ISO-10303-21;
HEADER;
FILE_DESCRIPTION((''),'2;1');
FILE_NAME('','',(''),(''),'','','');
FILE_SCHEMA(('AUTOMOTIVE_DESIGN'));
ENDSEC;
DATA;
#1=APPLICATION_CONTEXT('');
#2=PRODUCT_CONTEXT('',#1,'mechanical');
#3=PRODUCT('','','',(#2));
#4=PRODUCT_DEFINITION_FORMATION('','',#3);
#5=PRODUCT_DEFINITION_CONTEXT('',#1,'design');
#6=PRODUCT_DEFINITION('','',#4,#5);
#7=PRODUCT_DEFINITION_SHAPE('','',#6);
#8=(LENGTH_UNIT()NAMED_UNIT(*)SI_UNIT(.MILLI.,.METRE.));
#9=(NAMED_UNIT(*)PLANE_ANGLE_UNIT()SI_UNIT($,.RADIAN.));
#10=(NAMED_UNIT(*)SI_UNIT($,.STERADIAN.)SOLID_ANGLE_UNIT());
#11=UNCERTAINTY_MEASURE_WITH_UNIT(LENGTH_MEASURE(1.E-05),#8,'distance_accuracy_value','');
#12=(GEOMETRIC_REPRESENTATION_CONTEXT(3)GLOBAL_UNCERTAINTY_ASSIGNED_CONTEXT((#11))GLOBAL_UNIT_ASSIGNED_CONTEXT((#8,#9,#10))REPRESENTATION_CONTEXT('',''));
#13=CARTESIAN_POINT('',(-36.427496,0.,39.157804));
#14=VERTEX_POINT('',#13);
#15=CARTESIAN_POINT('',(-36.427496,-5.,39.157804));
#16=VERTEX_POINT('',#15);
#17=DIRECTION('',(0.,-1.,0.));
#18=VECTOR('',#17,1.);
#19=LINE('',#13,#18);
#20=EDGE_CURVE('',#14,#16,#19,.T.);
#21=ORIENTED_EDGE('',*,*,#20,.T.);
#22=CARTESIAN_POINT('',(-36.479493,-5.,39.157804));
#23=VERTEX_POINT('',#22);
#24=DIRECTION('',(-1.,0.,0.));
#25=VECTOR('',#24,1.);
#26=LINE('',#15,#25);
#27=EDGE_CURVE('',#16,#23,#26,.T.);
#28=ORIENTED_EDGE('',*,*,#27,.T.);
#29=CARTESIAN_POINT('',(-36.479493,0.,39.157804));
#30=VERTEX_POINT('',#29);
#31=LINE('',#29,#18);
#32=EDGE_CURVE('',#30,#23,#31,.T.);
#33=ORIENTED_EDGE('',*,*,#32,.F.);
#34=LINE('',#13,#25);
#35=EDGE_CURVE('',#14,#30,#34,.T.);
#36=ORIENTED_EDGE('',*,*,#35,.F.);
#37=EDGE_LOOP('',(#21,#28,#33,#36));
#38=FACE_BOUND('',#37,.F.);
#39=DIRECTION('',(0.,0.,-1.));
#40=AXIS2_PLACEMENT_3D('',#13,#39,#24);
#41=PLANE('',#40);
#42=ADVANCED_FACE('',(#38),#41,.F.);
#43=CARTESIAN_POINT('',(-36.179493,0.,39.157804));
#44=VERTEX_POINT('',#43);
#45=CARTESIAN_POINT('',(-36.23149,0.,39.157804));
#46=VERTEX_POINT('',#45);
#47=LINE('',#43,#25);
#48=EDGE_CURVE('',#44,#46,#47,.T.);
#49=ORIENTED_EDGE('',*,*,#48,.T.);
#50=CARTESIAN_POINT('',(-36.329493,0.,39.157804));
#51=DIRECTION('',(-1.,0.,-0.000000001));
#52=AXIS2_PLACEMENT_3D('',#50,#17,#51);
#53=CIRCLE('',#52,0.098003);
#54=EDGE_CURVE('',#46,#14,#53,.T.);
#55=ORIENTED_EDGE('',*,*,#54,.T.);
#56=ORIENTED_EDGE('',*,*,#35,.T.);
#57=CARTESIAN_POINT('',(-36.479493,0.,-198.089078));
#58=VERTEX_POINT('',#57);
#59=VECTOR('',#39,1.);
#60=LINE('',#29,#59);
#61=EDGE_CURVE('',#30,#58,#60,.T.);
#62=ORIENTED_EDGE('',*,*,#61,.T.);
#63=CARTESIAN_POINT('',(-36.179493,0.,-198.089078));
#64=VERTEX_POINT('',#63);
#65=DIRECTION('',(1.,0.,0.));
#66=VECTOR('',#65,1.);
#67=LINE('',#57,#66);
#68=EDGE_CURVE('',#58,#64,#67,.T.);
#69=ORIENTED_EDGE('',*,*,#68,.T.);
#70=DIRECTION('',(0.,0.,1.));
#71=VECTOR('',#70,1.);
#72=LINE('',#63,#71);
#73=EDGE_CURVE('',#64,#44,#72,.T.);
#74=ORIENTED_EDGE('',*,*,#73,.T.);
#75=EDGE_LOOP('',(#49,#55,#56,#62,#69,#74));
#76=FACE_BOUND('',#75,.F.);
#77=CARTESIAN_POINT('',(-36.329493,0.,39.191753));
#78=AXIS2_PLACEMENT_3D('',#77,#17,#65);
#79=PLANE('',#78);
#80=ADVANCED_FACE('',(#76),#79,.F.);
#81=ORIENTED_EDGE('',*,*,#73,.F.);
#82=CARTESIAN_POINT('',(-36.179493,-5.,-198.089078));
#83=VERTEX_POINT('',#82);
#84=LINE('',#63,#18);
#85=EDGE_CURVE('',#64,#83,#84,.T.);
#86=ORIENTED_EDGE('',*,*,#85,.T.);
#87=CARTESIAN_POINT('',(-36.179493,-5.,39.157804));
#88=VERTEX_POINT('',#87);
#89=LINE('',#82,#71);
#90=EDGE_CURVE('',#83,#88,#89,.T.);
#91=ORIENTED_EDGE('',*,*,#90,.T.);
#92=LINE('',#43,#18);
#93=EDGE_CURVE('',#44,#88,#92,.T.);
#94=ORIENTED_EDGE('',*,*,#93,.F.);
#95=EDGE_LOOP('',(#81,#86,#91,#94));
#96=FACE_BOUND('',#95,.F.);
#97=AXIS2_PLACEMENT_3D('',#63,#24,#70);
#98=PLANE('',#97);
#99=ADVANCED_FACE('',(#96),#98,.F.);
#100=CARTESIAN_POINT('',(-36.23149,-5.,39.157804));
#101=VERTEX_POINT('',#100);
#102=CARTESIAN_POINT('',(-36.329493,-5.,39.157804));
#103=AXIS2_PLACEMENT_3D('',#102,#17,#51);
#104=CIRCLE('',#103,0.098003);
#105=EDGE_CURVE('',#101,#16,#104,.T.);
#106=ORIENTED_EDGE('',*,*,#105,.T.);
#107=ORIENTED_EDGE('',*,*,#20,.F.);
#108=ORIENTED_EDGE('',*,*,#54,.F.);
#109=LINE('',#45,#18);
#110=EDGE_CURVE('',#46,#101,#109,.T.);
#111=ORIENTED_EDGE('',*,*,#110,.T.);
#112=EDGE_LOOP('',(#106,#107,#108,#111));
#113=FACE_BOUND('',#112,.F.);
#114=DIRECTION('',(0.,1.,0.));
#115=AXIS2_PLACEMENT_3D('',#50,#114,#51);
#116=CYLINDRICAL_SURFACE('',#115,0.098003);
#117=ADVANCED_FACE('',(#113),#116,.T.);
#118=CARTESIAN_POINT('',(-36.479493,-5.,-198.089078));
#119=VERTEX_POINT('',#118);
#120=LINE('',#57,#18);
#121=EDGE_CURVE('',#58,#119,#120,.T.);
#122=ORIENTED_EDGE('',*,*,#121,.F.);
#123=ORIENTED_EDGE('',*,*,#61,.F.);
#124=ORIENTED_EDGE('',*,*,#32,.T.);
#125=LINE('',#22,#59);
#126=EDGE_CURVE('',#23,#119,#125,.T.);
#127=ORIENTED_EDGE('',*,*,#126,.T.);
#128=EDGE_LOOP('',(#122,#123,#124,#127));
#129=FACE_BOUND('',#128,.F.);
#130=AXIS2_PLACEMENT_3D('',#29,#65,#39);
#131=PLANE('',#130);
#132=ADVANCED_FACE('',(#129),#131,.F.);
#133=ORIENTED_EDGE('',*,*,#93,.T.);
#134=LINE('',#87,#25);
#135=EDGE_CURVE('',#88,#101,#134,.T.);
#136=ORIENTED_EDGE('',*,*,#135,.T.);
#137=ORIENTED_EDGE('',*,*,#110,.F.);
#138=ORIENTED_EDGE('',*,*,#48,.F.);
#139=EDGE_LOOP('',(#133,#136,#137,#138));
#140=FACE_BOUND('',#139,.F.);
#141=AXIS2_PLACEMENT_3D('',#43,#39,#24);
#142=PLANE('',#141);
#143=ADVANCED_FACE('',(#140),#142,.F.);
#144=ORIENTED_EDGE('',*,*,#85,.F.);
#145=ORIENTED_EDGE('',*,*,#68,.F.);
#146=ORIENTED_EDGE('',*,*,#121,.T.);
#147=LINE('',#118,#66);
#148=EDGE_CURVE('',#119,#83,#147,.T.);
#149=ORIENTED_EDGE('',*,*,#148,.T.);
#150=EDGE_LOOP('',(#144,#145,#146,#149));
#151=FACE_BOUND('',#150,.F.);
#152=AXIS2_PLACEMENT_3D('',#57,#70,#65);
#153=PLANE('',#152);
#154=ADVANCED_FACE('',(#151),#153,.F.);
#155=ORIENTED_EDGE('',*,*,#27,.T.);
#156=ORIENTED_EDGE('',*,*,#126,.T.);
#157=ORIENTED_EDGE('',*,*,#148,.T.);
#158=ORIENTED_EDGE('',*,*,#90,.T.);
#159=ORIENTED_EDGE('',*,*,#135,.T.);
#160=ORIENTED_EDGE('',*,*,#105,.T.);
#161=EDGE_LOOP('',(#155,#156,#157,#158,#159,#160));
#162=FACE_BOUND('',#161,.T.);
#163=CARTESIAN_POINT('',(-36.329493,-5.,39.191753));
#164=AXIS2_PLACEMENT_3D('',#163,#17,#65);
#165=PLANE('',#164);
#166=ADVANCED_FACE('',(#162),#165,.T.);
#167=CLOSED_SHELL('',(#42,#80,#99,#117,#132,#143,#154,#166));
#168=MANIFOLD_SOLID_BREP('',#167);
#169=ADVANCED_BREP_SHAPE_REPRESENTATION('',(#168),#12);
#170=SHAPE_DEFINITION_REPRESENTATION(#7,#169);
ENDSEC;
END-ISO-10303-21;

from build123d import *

# Parameters (mm, degrees)
F1_DEPTH = 5


with BuildPart() as f1:
    # F0 (on Front) → F1 (new body)
    with BuildSketch(Plane.XZ):
        with BuildLine():
            Line((-36.4274961966, 39.1578037006), (-36.3294929266, 39.1578037006))
            Line((-36.3294929266, 39.1578037006), (-36.2314896565, 39.1578037006))
            ThreePointArc((-36.2314896565, 39.1578037006), (-36.3294929266, 39.2558069707), (-36.4274961966, 39.1578037006))
        make_face()
        with BuildLine():
            Line((-36.2314896565, 39.1578037006), (-36.3294929266, 39.1578037006))
            Line((-36.3294929266, 39.1578037006), (-36.4274961966, 39.1578037006))
            ThreePointArc((-36.4274961966, 39.1578037006), (-36.3294929266, 39.0598004306), (-36.2314896565, 39.1578037006))
        make_face()
        with BuildLine():
            Line((-36.1794929266, 39.1578037006), (-36.2314896565, 39.1578037006))
            ThreePointArc((-36.2314896565, 39.1578037006), (-36.3294929266, 39.0598004306), (-36.4274961966, 39.1578037006))
            Line((-36.4274961966, 39.1578037006), (-36.4794929266, 39.1578037006))
            Line((-36.4794929266, 39.1578037006), (-36.4794929266, -198.0890776676))
            Line((-36.4794929266, -198.0890776676), (-36.1794929266, -198.0890776676))
            Line((-36.1794929266, -198.0890776676), (-36.1794929266, 39.1578037006))
        make_face()
    extrude(amount=F1_DEPTH)


solid = f1.part
